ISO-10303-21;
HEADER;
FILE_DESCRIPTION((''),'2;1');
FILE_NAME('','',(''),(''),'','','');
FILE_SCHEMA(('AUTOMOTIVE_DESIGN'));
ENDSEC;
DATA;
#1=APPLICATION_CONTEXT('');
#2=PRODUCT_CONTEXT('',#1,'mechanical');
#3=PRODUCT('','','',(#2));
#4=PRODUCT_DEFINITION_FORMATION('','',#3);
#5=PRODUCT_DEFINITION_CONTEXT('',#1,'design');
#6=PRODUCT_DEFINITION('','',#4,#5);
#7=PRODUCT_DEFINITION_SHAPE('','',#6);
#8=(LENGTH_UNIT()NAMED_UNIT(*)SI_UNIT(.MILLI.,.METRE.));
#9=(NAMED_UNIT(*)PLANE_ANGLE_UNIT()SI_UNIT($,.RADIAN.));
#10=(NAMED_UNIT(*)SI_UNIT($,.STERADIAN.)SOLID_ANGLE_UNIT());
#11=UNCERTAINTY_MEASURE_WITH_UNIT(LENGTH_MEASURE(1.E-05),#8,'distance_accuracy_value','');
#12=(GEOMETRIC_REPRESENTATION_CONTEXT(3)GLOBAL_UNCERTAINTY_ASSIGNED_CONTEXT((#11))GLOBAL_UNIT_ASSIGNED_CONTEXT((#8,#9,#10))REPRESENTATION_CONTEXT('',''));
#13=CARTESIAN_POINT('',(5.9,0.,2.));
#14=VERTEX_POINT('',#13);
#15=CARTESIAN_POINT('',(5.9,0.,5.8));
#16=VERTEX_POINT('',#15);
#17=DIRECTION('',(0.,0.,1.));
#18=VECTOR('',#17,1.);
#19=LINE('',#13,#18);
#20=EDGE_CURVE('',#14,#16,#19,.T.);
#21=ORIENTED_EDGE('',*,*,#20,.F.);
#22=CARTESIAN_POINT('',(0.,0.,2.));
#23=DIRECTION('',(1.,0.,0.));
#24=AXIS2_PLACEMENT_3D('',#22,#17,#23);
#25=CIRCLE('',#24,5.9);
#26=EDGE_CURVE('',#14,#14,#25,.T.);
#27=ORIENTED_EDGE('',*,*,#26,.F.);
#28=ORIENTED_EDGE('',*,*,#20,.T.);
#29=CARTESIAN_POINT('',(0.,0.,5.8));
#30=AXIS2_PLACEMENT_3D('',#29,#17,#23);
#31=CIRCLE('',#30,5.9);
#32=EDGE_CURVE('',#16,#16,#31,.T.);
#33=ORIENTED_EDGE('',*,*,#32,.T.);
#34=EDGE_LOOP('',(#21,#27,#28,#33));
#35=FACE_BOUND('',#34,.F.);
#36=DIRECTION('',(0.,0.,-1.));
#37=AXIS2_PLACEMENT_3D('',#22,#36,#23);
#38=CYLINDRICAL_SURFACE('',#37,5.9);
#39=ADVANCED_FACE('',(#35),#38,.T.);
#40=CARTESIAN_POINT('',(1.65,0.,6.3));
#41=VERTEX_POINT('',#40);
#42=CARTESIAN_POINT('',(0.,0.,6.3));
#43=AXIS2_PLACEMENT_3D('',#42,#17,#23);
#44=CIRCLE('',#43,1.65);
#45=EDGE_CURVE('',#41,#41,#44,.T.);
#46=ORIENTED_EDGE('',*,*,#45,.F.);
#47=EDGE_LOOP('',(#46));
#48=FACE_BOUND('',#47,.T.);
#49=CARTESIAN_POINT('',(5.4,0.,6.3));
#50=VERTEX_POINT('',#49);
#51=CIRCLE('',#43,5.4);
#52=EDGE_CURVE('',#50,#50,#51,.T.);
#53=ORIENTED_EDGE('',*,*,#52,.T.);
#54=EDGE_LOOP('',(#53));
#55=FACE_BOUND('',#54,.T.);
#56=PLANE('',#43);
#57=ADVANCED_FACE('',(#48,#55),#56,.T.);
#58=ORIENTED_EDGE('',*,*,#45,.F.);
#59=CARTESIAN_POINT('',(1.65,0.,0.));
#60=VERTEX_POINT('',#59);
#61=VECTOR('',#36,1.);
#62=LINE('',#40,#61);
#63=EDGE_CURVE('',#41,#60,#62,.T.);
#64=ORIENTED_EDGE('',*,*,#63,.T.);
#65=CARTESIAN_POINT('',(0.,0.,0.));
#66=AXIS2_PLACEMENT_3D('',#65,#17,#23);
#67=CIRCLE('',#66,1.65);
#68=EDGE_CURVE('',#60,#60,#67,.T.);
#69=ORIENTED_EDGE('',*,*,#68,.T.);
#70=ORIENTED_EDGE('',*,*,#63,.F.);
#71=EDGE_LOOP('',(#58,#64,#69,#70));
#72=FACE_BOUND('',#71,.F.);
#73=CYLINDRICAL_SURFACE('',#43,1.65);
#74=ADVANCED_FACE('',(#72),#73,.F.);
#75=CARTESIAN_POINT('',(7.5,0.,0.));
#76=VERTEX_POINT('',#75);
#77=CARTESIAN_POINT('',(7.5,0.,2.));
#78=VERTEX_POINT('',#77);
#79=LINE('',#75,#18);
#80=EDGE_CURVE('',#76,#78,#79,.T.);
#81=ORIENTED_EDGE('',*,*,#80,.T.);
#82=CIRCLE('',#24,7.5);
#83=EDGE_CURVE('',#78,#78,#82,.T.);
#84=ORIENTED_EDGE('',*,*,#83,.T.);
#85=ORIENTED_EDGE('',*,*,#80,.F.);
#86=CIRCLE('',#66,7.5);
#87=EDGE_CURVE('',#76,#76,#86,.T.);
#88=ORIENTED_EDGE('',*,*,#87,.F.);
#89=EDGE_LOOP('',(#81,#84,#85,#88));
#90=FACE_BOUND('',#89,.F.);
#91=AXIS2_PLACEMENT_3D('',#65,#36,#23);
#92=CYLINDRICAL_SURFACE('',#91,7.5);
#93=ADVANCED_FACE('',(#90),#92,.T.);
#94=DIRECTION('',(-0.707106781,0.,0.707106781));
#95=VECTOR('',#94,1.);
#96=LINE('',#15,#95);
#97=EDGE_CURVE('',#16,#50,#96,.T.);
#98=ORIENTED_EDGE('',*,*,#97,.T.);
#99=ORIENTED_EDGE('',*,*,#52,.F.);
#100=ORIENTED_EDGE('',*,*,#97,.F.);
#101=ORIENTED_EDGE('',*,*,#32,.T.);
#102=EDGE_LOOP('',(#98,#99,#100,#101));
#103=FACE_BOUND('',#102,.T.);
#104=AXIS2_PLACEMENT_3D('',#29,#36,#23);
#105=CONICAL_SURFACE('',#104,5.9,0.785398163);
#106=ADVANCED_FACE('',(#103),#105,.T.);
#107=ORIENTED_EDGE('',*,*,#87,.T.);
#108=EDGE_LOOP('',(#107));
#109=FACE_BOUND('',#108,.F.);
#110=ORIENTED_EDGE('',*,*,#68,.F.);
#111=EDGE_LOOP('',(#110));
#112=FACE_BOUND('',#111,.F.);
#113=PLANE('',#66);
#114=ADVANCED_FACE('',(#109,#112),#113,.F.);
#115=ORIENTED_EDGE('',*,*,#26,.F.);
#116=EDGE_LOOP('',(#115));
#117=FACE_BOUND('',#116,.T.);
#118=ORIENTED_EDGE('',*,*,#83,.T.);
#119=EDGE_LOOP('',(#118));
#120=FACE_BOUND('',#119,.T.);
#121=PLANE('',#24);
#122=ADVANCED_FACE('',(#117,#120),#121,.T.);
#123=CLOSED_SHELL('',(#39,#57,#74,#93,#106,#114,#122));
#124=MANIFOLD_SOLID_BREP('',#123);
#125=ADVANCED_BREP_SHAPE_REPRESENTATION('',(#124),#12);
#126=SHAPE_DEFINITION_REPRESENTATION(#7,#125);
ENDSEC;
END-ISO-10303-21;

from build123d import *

# Parameters (mm, degrees)
F0_R     = 7.5
F1_DEPTH = 2
F2_R     = 5.9
F3_DEPTH = 4.3
F4_R     = 1.65
F5_DEPTH = 6.301
F6_SIZE  = 0.5


with BuildPart() as f1:
    # F0 (on Top) → F1 (new body)
    with BuildSketch(Plane.XY):
        Circle(F0_R)
    extrude(amount=F1_DEPTH)

    # F2 (on face) → F3 (join)
    with BuildSketch(Plane.XY.offset(2)):
        Circle(F2_R)
    extrude(amount=F3_DEPTH)

    # F4 (on face) → F5 (cut, through all)
    with BuildSketch(Plane.XY.offset(6.3)):
        Circle(F4_R)
    extrude(amount=-F5_DEPTH, mode=Mode.SUBTRACT)

    # F6
    f6_edges = [f1.edges().sort_by_distance(p)[0] for p in [
        (-5.9, 0, 6.3),
    ]]
    chamfer(f6_edges, length=F6_SIZE)


solid = f1.part
